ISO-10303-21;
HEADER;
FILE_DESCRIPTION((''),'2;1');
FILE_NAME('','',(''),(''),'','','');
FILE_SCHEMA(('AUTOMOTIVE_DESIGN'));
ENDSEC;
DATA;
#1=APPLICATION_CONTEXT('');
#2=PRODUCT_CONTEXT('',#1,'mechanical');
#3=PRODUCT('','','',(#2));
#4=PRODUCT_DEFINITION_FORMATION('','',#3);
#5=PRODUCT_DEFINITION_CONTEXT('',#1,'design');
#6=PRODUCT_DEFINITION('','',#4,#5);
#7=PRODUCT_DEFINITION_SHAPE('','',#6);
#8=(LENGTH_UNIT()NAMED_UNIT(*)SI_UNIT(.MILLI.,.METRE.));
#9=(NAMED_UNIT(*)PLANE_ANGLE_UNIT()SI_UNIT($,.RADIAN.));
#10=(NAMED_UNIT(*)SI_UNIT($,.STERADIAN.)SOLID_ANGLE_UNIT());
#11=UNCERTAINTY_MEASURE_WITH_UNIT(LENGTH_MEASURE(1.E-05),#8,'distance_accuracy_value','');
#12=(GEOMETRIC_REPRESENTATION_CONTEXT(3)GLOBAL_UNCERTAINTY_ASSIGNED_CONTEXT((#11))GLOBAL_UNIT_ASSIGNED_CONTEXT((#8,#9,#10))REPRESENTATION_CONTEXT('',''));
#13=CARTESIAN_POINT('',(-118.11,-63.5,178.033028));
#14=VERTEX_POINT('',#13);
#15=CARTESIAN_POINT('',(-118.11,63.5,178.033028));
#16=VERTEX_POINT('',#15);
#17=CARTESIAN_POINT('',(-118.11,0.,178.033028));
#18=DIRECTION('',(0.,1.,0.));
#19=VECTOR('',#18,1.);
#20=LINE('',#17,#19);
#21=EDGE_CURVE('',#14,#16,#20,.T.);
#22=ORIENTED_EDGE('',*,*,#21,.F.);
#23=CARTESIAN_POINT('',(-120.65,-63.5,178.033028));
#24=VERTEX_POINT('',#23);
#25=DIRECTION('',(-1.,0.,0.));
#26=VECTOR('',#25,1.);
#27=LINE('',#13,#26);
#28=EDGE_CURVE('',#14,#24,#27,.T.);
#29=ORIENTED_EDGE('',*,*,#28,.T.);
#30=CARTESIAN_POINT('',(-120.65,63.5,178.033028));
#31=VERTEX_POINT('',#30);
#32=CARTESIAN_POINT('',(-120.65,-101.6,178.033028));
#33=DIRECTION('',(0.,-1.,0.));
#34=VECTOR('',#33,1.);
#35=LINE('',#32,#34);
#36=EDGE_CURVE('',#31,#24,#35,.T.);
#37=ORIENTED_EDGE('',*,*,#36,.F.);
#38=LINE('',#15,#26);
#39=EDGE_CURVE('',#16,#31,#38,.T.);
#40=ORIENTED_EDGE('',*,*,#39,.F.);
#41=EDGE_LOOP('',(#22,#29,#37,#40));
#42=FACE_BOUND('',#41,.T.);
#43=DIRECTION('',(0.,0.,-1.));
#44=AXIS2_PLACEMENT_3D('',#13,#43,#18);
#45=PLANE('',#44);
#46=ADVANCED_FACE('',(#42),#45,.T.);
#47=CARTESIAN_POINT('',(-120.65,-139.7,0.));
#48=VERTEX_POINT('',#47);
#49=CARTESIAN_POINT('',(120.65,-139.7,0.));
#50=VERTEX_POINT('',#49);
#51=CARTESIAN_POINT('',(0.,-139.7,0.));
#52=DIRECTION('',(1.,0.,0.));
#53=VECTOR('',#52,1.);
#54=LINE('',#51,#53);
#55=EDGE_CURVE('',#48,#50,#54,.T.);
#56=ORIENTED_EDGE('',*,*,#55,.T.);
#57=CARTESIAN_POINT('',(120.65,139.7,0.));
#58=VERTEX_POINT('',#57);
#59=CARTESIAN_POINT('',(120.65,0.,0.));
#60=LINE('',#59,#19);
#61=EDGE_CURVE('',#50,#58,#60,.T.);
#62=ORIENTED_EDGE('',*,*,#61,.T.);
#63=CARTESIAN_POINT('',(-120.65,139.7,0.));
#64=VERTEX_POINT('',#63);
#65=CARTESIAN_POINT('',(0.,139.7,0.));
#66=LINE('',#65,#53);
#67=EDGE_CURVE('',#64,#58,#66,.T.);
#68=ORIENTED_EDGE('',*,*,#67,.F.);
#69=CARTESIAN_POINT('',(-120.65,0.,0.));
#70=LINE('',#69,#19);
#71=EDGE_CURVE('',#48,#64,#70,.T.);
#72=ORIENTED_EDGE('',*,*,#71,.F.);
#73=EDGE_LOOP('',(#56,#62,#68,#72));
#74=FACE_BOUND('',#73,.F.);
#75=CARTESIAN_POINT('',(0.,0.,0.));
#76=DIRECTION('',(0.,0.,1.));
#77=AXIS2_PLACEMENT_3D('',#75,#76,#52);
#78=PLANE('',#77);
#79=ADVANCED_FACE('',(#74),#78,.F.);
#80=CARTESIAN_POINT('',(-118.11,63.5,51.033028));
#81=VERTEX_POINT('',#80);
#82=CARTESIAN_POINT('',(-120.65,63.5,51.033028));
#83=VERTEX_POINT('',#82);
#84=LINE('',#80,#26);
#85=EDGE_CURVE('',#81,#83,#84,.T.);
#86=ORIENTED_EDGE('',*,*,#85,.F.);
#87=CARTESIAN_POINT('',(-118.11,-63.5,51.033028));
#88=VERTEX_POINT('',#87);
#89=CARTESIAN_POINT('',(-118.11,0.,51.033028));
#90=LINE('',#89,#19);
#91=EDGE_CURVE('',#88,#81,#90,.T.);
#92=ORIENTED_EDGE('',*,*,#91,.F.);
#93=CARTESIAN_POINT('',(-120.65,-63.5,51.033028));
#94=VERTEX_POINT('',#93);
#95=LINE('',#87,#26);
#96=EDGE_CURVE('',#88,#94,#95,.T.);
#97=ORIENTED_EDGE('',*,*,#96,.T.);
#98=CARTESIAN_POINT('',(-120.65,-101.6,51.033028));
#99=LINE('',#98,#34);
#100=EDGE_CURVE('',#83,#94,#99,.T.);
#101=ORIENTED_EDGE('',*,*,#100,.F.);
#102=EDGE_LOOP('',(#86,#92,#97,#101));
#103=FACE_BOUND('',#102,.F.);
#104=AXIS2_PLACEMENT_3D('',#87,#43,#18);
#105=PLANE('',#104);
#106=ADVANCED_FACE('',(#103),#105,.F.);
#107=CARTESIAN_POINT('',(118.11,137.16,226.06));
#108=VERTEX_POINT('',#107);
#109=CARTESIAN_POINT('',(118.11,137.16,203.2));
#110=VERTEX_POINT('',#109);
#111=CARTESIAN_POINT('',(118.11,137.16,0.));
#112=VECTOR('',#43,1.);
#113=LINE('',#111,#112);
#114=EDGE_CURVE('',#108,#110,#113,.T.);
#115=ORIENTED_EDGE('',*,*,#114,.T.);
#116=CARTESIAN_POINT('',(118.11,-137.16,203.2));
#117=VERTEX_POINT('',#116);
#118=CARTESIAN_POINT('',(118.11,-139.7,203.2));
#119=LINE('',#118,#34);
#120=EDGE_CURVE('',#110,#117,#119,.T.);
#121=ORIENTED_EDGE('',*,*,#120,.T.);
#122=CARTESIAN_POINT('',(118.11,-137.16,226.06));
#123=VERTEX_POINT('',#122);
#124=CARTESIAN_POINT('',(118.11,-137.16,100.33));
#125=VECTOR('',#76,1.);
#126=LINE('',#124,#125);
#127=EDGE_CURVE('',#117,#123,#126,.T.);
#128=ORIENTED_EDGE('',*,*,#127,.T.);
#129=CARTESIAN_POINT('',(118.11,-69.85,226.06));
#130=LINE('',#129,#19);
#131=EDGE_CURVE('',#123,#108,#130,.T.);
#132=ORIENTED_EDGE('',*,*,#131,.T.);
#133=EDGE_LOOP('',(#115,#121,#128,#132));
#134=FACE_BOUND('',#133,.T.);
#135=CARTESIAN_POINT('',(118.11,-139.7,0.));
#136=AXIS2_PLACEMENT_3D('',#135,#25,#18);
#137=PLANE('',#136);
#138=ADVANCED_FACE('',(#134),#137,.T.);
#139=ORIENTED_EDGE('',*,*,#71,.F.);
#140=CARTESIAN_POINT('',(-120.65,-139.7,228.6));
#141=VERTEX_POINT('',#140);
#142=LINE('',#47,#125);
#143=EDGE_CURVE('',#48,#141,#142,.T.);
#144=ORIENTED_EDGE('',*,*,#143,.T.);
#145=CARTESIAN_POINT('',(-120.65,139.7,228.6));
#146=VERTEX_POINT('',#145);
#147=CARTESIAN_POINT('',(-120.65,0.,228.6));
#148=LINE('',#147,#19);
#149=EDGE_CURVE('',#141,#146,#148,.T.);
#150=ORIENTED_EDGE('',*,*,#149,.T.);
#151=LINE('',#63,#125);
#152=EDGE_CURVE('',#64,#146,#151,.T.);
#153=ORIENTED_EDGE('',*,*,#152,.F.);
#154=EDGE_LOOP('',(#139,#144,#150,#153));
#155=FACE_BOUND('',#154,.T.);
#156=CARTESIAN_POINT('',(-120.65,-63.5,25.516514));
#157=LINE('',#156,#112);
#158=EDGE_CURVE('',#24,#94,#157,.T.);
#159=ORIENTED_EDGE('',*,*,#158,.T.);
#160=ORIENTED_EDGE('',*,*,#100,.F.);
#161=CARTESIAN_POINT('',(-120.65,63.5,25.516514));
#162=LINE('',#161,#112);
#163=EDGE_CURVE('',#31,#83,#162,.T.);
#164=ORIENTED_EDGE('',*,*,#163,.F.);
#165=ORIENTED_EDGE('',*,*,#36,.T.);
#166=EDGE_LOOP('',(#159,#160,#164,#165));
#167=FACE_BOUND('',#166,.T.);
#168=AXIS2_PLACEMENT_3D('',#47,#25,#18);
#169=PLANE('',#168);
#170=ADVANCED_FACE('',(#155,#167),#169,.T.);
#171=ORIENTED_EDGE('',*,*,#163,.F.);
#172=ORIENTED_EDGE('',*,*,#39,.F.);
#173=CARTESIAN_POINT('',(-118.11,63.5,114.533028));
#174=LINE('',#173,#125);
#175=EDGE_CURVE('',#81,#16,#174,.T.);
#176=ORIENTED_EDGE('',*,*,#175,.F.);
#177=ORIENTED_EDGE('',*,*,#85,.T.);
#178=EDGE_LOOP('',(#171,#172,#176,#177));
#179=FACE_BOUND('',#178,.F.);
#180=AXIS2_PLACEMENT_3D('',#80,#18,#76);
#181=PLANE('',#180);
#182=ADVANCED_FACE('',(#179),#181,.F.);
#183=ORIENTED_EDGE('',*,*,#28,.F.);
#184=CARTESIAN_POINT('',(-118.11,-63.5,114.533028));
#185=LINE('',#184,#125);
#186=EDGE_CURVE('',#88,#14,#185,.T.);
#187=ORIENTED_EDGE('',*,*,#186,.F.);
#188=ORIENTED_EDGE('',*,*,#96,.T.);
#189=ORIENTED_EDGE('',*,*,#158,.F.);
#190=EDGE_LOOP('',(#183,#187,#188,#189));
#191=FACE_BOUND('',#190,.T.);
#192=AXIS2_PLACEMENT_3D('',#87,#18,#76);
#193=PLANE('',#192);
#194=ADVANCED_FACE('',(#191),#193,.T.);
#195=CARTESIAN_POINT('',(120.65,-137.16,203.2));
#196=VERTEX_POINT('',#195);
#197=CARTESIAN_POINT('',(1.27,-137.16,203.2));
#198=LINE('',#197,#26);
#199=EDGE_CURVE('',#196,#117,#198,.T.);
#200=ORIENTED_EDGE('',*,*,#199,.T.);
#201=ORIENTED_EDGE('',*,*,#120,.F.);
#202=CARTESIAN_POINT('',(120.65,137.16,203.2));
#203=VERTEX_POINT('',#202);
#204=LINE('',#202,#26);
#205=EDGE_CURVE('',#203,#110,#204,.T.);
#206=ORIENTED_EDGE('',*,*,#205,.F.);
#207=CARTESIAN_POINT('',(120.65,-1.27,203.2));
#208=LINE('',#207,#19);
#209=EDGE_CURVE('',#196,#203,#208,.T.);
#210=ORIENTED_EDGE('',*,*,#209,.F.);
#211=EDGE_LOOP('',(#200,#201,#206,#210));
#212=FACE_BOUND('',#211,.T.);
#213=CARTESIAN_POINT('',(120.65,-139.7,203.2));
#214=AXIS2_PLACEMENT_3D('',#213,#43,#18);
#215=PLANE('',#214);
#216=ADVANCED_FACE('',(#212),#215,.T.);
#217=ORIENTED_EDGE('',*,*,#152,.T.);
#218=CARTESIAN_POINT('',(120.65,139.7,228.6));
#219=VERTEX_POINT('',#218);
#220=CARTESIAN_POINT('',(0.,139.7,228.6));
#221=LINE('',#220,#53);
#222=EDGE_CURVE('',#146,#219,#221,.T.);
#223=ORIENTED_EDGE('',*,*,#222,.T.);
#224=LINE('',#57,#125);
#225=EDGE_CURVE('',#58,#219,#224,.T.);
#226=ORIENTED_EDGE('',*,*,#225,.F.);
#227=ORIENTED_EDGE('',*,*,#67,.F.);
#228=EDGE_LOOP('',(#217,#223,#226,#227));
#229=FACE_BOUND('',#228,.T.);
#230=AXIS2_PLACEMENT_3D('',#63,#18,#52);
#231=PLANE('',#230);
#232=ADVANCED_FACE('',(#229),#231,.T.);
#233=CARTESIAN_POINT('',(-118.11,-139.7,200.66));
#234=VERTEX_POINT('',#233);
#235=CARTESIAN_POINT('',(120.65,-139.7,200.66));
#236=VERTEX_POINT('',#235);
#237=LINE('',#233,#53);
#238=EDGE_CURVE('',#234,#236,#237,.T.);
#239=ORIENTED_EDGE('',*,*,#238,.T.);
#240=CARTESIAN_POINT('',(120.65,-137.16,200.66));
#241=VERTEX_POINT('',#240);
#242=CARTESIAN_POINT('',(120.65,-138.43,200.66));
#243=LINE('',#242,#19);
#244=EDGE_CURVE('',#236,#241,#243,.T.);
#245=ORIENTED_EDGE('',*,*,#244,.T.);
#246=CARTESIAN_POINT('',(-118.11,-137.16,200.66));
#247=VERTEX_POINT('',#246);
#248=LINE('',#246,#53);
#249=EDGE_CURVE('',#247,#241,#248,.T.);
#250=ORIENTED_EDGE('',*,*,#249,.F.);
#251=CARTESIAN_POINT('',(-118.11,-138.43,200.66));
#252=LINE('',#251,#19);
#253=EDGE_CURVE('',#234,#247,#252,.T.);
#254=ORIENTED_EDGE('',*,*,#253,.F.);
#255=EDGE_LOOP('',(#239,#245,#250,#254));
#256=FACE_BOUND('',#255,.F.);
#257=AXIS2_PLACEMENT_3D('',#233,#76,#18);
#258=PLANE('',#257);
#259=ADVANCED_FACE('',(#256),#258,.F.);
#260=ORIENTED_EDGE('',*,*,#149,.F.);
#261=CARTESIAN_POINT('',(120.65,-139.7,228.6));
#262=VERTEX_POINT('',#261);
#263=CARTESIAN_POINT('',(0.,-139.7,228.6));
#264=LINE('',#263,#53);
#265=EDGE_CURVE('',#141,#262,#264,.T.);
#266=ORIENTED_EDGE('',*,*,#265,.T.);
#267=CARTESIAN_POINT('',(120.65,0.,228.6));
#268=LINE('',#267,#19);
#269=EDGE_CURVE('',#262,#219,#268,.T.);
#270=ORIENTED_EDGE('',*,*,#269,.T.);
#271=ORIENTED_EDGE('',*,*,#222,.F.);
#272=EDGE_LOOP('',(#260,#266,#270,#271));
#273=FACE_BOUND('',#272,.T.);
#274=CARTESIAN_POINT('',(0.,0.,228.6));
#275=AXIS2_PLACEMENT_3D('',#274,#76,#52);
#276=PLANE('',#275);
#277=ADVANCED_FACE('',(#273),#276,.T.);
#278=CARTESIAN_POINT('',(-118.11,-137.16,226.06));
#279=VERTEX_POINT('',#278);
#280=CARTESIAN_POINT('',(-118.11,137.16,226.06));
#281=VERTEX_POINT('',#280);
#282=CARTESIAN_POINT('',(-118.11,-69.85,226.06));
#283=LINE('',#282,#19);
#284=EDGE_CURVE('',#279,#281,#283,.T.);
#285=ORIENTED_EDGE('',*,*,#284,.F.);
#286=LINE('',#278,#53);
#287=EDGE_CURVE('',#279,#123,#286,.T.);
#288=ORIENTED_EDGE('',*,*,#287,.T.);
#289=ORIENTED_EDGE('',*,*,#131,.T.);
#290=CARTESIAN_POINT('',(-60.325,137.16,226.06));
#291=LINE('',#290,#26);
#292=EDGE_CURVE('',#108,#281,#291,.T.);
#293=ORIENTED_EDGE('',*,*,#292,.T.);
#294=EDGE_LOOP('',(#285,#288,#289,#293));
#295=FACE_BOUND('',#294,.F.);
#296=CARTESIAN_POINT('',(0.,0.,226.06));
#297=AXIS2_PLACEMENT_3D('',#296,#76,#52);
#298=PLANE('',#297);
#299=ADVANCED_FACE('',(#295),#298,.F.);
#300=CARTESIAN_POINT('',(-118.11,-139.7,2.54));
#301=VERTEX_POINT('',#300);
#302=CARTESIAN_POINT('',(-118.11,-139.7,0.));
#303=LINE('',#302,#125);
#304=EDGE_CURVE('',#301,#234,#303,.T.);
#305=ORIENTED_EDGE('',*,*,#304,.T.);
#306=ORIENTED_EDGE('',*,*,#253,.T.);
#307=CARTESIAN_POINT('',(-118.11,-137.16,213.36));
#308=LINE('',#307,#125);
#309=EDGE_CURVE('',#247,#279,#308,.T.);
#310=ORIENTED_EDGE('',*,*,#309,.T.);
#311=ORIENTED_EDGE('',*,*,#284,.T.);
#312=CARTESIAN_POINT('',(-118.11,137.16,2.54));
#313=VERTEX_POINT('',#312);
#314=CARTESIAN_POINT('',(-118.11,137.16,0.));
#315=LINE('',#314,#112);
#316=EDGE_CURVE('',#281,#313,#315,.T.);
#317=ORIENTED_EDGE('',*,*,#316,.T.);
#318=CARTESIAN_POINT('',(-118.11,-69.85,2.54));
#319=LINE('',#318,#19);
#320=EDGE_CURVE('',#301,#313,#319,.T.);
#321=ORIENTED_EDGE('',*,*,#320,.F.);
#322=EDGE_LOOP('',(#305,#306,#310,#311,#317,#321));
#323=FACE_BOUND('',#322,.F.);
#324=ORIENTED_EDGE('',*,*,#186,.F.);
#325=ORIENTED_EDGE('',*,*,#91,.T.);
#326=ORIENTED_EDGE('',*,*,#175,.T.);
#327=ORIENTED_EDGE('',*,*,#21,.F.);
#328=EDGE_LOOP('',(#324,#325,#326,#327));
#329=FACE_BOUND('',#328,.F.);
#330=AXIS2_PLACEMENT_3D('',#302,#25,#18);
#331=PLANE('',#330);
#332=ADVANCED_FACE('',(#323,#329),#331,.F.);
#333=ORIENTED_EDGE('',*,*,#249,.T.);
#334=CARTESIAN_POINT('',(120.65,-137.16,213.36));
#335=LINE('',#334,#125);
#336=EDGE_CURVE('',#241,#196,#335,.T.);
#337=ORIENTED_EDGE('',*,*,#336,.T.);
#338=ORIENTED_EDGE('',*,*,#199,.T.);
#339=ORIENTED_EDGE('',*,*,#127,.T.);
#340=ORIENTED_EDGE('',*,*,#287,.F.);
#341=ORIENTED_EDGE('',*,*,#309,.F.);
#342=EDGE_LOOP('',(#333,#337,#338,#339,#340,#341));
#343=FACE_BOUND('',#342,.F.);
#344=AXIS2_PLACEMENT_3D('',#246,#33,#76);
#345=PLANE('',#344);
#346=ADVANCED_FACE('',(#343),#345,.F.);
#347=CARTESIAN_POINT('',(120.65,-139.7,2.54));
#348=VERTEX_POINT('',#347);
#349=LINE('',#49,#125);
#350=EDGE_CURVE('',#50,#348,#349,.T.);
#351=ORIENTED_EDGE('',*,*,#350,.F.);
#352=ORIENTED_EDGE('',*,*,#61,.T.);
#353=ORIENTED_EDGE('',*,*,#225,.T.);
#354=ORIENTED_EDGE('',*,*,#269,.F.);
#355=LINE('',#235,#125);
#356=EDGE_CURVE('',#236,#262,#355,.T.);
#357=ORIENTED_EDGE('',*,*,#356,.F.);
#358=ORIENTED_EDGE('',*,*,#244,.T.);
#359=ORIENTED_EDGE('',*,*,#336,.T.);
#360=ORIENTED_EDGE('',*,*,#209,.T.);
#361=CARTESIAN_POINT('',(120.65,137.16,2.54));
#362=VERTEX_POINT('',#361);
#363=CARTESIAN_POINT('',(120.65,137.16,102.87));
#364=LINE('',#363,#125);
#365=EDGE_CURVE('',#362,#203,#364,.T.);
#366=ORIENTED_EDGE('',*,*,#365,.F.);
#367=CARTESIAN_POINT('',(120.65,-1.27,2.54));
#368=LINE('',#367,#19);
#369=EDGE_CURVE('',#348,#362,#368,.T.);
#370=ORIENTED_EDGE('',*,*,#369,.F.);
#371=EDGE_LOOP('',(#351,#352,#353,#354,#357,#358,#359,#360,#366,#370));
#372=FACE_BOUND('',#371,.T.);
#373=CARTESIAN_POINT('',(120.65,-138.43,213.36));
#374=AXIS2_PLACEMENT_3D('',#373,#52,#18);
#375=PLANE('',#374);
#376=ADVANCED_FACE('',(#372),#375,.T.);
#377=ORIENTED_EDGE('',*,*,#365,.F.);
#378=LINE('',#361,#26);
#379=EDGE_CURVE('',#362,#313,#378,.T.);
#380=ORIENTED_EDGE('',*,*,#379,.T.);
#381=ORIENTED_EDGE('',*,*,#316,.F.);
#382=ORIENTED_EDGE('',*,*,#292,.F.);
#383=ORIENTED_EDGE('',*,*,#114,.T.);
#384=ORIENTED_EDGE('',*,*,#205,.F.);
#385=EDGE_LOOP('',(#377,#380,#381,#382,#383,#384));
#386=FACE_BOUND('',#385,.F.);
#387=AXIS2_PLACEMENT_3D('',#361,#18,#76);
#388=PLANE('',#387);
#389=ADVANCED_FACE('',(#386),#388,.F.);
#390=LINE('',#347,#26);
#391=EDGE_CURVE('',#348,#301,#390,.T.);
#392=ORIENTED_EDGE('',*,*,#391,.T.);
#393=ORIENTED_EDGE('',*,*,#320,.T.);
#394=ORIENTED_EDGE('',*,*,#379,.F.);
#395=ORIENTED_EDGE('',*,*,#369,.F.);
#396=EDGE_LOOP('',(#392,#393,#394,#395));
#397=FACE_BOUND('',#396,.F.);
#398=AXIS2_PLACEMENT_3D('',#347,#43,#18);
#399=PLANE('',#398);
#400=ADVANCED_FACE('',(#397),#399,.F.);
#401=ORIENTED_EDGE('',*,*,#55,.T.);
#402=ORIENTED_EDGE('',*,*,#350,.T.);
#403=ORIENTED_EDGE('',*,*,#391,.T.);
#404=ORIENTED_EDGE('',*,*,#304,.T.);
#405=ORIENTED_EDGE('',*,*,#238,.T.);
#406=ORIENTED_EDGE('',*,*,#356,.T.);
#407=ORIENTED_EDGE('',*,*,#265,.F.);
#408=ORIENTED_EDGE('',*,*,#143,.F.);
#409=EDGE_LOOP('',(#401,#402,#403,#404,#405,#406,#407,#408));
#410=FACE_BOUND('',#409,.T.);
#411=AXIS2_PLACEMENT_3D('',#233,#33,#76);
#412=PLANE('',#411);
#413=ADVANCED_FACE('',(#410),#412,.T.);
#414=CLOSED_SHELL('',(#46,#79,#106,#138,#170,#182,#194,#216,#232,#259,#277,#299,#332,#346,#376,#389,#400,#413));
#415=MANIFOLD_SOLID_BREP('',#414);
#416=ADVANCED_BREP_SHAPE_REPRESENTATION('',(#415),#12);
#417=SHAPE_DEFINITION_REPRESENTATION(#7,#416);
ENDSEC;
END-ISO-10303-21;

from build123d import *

# Parameters (mm, degrees)
F0_W     = 241.3
F0_H     = 279.4
F1_DEPTH = 228.6
F2_T     = -2.54
F3_W     = 127
F3_H     = 127
F4_DEPTH = 25.4
F5_W     = 276.86
F5_H     = 200.66
F6_DEPTH = 25.4
F7_W     = 2.54
F7_H     = 25.4
F8_DEPTH = 238.76


with BuildPart() as f1:
    # F0 (on Top) → F1 (new body)
    with BuildSketch(Plane.XY):
        Rectangle(F0_W, F0_H)
    extrude(amount=F1_DEPTH)

    # F2
    f2_openings = [f1.faces().sort_by_distance(p)[0] for p in [
        (0, -139.7, 114.3),
    ]]
    offset(amount=F2_T, openings=f2_openings)

    # F3 (on face) → F4 (cut)
    with BuildSketch(Plane.YZ.offset(-118.11)):
        with Locations((0, 114.533028)):
            Rectangle(F3_W, F3_H)
    extrude(amount=-F4_DEPTH, mode=Mode.SUBTRACT)

    # F5 (on face) → F6 (cut)
    with BuildSketch(Plane.YZ.offset(120.65)):
        with Locations((-1.27, 102.87)):
            Rectangle(F5_W, F5_H)
    extrude(amount=-F6_DEPTH, mode=Mode.SUBTRACT)

    # F7 (on face) → F8 (join, through all)
    with BuildSketch(Plane.YZ.offset(-118.11)):
        with Locations((-138.43, 213.36)):
            Rectangle(F7_W, F7_H)
    extrude(amount=F8_DEPTH)


solid = f1.part
